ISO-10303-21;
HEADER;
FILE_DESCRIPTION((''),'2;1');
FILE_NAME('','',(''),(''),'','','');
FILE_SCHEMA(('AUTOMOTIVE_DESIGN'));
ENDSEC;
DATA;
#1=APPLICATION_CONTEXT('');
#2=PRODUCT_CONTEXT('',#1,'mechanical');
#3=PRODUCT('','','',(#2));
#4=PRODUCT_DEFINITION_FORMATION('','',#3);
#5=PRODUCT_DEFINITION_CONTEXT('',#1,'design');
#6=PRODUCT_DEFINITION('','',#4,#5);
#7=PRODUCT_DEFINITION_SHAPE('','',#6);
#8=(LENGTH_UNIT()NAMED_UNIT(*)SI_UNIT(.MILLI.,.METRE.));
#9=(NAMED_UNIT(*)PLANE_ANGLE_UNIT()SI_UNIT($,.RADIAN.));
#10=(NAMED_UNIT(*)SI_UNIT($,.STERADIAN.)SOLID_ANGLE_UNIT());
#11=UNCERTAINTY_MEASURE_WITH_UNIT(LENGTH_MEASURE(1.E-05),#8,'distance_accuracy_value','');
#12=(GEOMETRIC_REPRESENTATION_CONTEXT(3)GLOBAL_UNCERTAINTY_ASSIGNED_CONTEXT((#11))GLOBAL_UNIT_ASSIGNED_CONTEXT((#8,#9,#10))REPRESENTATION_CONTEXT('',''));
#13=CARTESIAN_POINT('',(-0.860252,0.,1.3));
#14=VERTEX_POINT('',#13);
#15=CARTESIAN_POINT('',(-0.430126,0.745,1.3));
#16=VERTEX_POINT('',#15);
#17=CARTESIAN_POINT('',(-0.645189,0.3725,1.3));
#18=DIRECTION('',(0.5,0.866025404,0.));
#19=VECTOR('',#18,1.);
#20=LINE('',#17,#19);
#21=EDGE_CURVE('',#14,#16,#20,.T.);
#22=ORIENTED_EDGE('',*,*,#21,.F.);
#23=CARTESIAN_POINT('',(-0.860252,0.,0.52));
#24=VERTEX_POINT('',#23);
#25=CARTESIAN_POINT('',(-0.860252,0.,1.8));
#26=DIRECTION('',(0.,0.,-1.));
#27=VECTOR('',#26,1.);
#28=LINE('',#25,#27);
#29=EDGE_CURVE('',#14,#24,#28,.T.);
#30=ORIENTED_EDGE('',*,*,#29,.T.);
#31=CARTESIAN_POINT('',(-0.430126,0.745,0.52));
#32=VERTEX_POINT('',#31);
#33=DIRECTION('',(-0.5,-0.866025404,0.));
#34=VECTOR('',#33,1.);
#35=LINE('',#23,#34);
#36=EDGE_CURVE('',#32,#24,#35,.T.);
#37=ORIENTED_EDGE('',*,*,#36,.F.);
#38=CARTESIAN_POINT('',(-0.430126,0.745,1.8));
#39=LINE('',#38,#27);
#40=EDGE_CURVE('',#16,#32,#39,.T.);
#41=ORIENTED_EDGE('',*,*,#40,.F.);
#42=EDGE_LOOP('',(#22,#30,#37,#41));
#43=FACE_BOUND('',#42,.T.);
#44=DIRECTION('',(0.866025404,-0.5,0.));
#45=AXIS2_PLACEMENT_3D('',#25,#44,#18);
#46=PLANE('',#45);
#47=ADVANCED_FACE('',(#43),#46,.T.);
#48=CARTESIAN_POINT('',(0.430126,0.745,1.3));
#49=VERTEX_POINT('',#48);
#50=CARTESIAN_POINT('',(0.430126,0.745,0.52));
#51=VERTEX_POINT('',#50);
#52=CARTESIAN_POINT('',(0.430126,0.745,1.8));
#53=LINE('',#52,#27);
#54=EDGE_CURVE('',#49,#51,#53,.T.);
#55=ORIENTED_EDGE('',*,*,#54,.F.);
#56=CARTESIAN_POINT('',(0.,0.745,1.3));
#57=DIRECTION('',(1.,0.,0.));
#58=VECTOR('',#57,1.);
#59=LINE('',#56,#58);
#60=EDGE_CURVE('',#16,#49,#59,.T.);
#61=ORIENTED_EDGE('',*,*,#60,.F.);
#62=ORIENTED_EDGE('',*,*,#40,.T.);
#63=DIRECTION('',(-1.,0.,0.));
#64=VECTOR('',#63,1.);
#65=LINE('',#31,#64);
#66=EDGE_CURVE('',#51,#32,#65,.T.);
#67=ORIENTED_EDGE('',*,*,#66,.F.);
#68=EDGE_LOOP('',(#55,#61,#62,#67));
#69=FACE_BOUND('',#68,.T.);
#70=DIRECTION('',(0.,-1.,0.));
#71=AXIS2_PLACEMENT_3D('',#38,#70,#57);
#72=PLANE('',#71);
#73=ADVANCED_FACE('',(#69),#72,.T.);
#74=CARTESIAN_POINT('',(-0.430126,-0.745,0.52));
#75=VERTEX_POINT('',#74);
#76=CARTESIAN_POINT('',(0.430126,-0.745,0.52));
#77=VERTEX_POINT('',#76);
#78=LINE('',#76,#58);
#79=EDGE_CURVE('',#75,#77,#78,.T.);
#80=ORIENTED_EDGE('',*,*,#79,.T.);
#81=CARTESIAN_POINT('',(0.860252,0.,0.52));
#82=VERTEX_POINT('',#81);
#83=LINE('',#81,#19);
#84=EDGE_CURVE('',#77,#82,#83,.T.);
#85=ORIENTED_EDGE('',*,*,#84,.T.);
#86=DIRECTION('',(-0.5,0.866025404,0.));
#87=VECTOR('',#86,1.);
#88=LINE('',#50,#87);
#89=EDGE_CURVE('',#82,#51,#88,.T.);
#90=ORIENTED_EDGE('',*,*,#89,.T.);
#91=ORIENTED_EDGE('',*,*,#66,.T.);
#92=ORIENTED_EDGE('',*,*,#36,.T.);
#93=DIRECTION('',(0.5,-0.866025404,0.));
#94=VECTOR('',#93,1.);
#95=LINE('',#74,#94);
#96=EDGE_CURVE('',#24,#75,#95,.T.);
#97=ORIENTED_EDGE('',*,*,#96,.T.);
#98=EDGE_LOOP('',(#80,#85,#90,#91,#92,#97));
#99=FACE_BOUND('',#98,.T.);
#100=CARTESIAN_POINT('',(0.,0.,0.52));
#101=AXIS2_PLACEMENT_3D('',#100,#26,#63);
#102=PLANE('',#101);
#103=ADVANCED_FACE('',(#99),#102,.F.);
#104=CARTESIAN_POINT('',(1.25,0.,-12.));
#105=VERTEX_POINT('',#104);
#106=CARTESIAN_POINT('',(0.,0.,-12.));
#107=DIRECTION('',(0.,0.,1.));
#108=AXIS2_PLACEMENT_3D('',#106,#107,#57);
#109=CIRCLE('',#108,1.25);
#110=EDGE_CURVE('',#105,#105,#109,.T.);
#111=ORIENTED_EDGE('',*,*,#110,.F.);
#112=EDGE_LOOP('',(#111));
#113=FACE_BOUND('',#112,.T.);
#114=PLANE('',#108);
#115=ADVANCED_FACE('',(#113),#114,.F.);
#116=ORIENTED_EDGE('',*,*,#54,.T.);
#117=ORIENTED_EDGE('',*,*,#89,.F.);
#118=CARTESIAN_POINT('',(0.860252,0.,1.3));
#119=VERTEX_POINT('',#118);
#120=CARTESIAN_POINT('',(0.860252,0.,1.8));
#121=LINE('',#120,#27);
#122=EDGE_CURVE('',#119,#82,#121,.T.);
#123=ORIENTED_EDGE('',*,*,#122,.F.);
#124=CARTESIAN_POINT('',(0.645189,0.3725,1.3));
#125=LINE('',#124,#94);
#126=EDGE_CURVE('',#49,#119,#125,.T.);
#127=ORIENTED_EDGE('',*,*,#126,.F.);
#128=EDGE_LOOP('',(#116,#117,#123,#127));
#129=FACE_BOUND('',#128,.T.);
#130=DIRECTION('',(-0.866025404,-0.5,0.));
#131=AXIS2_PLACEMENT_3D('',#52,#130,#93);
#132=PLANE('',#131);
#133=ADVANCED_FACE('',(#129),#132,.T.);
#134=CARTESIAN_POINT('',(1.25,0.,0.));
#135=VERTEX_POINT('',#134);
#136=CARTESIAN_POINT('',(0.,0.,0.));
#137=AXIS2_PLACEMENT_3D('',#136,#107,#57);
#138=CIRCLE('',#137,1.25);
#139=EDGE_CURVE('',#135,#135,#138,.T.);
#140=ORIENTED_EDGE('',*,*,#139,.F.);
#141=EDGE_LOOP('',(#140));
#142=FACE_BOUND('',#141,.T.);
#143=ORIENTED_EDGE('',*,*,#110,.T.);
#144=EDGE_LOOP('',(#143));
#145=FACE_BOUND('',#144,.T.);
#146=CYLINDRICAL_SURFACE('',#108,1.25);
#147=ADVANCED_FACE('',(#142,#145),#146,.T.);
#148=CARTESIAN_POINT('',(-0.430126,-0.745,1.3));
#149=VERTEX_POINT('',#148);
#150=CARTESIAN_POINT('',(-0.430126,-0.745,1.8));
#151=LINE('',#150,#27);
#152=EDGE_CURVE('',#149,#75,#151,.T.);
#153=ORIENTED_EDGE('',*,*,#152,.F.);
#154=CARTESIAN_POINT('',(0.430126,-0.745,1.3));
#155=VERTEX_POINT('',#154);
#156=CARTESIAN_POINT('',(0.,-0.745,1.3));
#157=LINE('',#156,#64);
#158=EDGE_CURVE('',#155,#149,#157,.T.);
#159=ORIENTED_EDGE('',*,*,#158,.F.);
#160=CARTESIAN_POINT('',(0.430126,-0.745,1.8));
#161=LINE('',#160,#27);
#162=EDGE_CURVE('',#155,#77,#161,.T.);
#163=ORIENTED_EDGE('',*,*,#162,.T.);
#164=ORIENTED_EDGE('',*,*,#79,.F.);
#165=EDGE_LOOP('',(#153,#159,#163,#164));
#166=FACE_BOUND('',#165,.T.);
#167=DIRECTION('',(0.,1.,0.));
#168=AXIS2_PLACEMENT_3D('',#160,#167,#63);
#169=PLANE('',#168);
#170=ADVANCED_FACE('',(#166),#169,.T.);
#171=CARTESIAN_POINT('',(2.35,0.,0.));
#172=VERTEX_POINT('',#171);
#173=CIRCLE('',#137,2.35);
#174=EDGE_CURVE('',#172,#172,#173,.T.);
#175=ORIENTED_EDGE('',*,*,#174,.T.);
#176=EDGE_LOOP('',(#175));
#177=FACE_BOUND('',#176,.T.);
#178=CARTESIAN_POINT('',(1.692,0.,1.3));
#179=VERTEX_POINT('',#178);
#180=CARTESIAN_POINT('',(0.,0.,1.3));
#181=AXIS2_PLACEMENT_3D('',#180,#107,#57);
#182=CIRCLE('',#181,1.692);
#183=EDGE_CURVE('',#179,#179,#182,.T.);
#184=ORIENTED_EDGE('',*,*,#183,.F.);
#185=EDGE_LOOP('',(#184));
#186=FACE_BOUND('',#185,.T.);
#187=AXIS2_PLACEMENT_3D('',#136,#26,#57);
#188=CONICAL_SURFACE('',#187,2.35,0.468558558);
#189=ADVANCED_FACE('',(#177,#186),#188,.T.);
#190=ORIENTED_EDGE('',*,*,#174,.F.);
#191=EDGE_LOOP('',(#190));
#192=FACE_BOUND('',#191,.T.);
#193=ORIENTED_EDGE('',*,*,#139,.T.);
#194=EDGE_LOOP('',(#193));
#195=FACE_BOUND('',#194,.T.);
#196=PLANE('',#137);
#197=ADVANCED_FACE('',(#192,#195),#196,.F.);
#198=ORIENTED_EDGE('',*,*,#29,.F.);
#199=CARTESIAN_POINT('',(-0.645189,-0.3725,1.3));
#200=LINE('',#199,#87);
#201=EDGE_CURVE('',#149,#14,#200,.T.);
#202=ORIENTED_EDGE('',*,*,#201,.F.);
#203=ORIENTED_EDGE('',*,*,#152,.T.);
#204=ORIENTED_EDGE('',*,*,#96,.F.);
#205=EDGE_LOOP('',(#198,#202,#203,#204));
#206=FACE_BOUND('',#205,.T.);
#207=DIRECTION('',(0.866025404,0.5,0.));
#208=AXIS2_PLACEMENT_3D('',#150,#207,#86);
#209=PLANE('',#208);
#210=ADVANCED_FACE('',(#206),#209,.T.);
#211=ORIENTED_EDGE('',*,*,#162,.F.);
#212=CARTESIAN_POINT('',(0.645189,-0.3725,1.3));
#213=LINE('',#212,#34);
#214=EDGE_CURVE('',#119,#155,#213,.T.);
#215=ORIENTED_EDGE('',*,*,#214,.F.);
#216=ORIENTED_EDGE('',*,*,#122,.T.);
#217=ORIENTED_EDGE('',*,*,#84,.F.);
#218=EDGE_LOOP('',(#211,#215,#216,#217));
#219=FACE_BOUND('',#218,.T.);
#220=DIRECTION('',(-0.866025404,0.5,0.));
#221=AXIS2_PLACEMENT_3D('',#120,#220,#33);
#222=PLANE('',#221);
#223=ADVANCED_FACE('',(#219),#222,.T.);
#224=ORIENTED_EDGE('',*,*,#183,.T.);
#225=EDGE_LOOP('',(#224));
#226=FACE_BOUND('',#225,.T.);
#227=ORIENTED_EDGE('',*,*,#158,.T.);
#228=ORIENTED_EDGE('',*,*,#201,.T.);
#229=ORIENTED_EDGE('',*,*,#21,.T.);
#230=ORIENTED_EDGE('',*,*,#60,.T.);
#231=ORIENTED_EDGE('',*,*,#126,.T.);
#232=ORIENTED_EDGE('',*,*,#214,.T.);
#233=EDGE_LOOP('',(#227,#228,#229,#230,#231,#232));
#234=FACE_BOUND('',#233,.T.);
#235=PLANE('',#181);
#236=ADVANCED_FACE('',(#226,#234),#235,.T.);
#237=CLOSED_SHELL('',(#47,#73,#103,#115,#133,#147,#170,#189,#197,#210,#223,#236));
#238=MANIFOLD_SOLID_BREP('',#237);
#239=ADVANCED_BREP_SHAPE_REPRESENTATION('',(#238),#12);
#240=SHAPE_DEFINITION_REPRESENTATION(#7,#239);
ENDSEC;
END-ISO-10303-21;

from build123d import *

# Parameters (mm, degrees)
SK_SHANK_R   = 1.25
SHANK_DEPTH  = 12
SK_HEAD_R    = 2.35
HEAD_DEPTH   = 1.3
HEAD_TAPER   = 26.84642782
SOCKET_START = 0.52
SOCKET_DEPTH = 1.28


with BuildPart() as part:
    # SK_shank → Shank (new body)
    with BuildSketch(Plane.XY):
        Circle(SK_SHANK_R)
    extrude(amount=-SHANK_DEPTH)

    # SK_head → Head (add)
    with BuildSketch(Plane.XY):
        Circle(SK_HEAD_R)
    extrude(amount=HEAD_DEPTH, taper=HEAD_TAPER)

    # SK_socket → Socket (cut)
    with BuildSketch(Plane.XY.offset(SOCKET_START)):
        Polygon((0.860251901, 0), (0.430125951, -0.745), (-0.430125951, -0.745), (-0.860251901, 0), (-0.430125951, 0.745), (0.430125951, 0.745), align=None)
    extrude(amount=SOCKET_DEPTH, mode=Mode.SUBTRACT)


solid = part.part
